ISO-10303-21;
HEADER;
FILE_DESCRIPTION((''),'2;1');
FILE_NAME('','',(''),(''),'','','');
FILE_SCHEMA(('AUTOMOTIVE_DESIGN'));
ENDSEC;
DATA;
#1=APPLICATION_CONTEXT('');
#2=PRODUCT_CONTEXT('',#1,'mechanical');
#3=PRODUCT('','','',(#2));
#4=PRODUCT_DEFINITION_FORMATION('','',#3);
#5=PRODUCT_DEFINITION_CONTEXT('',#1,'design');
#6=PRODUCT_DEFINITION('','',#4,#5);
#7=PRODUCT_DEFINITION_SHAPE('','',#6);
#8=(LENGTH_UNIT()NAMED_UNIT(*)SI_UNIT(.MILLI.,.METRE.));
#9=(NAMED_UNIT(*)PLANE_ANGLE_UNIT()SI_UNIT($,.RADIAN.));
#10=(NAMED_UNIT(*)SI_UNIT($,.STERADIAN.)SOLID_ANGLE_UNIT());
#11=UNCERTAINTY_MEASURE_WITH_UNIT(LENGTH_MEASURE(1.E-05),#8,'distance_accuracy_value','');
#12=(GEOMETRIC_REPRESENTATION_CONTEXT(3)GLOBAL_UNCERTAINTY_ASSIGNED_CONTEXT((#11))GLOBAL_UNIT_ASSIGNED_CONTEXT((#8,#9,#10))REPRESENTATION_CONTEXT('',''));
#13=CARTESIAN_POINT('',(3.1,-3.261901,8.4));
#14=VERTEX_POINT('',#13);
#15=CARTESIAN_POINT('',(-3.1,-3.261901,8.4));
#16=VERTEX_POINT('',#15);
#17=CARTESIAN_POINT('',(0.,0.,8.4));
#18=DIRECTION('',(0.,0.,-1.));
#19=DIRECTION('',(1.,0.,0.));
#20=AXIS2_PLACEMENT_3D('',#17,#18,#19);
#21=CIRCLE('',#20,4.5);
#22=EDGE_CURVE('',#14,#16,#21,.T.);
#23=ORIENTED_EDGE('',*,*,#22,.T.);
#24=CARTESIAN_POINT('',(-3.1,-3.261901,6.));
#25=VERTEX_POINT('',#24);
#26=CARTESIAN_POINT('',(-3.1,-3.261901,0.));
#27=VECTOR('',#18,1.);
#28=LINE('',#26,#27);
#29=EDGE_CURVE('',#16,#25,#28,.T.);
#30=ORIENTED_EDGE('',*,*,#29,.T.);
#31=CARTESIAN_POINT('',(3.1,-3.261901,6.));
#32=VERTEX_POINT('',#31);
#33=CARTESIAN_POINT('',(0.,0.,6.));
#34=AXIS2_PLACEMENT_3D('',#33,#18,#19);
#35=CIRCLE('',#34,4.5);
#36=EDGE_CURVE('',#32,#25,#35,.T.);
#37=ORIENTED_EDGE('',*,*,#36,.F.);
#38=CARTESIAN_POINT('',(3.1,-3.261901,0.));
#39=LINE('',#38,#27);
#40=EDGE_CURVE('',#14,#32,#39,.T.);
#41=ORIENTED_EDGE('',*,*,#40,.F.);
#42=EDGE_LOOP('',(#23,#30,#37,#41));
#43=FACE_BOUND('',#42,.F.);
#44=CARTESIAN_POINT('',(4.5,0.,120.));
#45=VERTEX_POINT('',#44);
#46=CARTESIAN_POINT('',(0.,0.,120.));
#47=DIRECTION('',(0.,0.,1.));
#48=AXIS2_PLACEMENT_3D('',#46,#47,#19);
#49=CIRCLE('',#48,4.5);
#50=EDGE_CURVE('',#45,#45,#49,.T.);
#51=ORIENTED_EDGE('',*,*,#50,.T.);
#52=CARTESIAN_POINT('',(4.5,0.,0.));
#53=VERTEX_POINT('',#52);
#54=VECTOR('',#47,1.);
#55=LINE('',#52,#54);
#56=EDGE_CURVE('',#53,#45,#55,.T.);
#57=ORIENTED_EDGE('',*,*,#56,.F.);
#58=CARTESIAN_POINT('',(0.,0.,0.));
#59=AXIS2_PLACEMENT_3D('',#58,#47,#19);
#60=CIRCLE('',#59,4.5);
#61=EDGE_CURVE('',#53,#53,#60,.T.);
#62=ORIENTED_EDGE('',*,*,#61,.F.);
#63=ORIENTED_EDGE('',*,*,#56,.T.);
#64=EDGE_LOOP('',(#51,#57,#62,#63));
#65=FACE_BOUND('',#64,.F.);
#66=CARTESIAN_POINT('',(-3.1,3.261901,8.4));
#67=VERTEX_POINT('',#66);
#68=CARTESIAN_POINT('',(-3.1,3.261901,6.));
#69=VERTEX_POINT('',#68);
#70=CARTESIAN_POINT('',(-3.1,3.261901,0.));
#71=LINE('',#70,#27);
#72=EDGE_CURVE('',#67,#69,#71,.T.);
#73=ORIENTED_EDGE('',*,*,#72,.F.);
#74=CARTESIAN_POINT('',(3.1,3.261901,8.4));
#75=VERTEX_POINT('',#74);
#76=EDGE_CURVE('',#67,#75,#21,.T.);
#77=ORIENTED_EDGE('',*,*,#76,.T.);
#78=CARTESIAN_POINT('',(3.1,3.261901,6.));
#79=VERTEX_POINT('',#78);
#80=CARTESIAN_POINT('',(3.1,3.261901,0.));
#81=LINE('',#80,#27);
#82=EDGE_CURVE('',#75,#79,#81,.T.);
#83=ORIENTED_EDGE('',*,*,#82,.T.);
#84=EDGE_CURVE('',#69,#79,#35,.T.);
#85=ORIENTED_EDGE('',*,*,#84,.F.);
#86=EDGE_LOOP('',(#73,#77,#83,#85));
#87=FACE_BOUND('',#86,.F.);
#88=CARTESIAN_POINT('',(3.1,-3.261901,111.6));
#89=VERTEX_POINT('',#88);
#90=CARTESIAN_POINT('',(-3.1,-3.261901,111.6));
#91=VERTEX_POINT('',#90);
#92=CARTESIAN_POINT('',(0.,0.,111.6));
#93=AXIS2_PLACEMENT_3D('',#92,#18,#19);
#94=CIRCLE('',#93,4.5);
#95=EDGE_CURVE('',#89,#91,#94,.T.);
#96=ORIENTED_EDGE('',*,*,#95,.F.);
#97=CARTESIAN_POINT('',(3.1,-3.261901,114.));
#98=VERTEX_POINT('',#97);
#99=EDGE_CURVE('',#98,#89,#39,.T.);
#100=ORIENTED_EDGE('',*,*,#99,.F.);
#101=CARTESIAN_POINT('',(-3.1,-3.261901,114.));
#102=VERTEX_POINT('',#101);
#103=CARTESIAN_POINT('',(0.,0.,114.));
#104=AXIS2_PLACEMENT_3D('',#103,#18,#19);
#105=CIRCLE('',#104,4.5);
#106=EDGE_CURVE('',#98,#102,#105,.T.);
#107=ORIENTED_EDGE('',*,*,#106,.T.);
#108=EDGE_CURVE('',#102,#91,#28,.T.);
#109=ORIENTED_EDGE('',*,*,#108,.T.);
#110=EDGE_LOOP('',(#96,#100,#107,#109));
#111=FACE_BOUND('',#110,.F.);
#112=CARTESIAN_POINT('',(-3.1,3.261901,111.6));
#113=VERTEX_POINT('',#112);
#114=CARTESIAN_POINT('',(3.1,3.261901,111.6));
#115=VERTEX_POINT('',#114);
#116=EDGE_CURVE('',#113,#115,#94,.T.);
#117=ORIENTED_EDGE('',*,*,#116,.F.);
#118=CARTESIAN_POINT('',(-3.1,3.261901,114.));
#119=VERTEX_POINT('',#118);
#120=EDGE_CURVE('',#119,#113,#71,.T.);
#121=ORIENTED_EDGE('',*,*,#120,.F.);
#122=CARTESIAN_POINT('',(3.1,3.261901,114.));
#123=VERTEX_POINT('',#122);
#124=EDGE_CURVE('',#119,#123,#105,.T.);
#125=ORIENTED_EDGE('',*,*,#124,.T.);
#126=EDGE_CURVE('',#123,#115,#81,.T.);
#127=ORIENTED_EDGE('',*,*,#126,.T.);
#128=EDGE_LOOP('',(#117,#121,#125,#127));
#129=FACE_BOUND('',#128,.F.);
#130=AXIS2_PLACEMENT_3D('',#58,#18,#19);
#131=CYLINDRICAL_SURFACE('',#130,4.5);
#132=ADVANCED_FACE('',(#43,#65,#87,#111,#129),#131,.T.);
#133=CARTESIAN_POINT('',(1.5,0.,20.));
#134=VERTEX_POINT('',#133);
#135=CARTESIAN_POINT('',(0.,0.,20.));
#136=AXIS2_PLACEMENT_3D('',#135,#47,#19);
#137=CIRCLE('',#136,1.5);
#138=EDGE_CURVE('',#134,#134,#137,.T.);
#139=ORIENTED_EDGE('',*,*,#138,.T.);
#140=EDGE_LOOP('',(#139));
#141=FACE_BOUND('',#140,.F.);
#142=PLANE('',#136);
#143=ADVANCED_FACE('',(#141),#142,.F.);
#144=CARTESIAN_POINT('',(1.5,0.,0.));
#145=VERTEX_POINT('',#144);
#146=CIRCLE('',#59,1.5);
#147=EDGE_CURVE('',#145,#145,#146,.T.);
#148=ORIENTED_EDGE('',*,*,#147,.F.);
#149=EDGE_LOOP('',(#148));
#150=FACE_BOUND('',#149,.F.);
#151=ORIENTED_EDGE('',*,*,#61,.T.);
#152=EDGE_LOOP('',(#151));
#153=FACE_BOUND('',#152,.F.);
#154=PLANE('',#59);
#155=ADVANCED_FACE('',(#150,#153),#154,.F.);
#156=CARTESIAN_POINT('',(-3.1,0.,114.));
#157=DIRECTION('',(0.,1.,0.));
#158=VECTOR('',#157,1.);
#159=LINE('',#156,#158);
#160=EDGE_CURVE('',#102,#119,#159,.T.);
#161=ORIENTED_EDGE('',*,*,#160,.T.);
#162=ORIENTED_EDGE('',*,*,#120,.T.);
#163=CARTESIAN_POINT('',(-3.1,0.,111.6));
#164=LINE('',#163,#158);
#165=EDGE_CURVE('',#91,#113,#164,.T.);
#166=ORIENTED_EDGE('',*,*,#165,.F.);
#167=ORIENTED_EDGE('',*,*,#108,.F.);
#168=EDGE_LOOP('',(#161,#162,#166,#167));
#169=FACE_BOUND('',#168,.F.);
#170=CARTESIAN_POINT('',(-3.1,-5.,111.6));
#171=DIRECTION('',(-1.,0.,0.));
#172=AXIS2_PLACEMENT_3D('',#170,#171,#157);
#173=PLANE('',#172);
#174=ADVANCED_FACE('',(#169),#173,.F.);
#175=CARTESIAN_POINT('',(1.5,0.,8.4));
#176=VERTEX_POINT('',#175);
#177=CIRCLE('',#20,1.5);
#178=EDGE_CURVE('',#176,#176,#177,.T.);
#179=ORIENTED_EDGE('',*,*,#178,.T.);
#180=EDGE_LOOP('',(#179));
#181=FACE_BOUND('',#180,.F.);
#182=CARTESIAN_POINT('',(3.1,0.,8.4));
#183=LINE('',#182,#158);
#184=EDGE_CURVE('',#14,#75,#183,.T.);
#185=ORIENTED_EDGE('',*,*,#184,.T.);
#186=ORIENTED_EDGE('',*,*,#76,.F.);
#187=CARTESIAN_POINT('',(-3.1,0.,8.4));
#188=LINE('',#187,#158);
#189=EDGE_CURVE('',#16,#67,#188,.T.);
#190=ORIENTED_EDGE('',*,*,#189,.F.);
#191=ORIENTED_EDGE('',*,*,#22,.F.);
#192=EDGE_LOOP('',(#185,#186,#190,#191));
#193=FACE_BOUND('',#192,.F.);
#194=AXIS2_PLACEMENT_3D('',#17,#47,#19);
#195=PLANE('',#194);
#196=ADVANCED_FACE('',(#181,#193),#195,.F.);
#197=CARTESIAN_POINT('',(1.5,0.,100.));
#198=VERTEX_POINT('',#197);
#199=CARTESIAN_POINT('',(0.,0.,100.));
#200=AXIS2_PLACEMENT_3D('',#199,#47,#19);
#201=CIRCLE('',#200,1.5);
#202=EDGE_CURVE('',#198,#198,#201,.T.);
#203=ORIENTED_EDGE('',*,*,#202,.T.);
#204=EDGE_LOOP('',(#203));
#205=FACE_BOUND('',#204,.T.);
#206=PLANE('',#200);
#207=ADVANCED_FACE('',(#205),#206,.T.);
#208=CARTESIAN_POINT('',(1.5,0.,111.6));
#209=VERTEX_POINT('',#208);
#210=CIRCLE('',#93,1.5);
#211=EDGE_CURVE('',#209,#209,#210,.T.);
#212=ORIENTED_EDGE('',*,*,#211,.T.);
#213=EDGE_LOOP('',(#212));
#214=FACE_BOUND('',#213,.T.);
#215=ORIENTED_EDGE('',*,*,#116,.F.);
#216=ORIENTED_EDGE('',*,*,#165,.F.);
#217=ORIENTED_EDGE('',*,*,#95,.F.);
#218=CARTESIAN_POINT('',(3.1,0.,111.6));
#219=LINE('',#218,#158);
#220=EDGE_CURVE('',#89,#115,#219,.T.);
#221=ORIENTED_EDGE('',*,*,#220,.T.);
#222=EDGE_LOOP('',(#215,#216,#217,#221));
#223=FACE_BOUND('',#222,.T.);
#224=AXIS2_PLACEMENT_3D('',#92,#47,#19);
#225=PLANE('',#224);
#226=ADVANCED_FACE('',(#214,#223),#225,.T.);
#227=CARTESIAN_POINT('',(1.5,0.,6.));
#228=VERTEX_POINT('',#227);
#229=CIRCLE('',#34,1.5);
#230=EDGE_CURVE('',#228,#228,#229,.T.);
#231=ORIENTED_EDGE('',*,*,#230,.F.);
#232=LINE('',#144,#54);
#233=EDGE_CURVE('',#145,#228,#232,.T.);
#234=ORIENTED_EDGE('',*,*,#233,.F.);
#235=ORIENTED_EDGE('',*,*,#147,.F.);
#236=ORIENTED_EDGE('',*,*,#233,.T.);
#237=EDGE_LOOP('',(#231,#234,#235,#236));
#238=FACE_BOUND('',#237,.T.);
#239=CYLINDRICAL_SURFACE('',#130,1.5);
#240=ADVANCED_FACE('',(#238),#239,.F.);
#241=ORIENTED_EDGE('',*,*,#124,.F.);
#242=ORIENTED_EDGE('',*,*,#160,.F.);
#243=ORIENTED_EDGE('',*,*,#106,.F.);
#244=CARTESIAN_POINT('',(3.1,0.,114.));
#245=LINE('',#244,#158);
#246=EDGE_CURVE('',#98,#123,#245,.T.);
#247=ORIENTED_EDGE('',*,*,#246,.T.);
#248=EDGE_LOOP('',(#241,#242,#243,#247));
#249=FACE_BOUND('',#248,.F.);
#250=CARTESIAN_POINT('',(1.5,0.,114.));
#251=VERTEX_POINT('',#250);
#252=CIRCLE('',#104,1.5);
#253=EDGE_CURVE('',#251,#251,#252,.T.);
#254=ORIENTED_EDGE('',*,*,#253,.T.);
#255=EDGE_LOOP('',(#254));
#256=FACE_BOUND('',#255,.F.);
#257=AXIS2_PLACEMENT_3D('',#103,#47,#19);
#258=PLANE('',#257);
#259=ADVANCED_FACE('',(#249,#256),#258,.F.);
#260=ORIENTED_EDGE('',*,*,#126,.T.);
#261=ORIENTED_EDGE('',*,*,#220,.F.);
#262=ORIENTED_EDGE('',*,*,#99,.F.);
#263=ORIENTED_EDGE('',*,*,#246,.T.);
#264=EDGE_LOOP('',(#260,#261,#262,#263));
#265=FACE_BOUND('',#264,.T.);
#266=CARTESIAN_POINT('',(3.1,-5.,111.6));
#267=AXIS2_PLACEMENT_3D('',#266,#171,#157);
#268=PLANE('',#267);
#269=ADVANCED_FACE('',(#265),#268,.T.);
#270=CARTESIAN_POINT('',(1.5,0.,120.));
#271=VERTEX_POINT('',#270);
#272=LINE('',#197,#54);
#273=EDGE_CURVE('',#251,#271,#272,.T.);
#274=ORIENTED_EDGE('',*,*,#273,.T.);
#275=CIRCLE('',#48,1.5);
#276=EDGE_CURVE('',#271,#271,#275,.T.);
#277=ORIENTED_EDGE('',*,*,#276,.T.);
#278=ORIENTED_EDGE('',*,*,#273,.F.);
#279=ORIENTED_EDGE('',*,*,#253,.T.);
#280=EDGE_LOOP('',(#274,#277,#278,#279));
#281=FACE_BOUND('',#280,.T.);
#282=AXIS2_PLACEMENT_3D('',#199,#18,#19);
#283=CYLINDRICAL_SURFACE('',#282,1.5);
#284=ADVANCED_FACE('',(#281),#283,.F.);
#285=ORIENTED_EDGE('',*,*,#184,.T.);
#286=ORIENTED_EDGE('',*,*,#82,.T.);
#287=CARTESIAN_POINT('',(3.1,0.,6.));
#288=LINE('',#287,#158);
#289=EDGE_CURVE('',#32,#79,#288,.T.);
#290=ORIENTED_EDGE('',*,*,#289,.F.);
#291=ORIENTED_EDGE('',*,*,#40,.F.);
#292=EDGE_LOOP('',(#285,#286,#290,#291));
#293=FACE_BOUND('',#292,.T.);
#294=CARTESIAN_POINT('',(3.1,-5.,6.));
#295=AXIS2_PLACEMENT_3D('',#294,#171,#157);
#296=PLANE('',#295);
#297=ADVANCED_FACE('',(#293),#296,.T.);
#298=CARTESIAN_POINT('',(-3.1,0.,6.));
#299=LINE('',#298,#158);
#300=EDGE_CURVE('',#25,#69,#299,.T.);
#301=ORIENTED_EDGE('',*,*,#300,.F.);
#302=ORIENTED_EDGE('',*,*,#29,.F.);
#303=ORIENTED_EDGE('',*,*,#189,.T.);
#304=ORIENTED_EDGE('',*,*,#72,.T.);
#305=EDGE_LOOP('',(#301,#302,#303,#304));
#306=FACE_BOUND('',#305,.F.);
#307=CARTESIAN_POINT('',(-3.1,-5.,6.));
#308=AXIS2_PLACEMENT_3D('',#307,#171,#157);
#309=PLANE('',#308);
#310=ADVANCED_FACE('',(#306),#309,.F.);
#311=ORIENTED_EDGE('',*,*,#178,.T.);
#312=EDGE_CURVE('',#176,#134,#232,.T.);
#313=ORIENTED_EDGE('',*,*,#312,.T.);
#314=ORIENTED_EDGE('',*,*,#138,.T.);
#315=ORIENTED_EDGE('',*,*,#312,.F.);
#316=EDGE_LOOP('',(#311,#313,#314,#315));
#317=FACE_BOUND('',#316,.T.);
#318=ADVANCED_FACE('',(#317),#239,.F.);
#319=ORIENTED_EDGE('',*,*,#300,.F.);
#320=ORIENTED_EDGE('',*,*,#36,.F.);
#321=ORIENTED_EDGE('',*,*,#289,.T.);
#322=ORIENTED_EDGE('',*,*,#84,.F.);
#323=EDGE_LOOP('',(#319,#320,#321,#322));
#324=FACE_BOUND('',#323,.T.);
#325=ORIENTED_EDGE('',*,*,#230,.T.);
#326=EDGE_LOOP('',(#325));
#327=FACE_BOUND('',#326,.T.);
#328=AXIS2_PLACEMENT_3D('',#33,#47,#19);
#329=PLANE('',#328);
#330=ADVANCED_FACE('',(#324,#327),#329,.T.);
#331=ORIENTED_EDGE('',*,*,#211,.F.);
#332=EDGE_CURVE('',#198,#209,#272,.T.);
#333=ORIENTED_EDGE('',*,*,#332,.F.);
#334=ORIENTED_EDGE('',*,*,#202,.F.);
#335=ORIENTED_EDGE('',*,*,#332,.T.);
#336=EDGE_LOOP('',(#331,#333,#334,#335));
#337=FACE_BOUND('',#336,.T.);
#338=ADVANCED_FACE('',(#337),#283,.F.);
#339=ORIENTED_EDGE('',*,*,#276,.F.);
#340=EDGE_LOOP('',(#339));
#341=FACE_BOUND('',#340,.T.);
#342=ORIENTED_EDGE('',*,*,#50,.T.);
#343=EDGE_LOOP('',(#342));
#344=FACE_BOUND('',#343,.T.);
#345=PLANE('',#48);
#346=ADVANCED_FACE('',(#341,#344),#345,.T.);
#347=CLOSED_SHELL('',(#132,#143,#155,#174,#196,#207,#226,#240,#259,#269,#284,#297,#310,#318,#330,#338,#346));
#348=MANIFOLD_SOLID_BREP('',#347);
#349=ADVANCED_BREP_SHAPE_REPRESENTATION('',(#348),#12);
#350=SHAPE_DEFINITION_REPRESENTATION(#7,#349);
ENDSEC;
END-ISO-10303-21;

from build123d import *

# Parameters (mm, degrees)
BOX010_W          = 6.2
BOX010_H          = 10
BOX010_DEPTH      = 2.4
BOX011_W          = 6.2
BOX011_H          = 10
BOX011_DEPTH      = 2.4
CYLINDER008_R     = 1.5
CYLINDER008_DEPTH = 20
CYLINDER007_R     = 1.5
CYLINDER007_DEPTH = 20
CYLINDER006_R     = 4.5
CYLINDER006_DEPTH = 120


with BuildPart() as nut1:
    # Box010 → Box010 (new body)
    with BuildSketch(Plane(origin=(-3.1, -5, 6), x_dir=(1, 0, 0), z_dir=(0, 0, 1))):
        with Locations((3.1, 5)):
            Rectangle(BOX010_W, BOX010_H)
    extrude(amount=BOX010_DEPTH)


with BuildPart() as nut2:
    # Box011 → Box011 (new body)
    with BuildSketch(Plane(origin=(-3.1, -5, 111.6), x_dir=(1, 0, 0), z_dir=(0, 0, 1))):
        with Locations((3.1, 5)):
            Rectangle(BOX011_W, BOX011_H)
    extrude(amount=BOX011_DEPTH)


with BuildPart() as columnhole2:
    # Cylinder008 → Cylinder008 (new body)
    with BuildSketch(Plane.XY.offset(100)):
        Circle(CYLINDER008_R)
    extrude(amount=CYLINDER008_DEPTH)


with BuildPart() as columnhole1:
    # Cylinder007 → Cylinder007 (new body)
    with BuildSketch(Plane.XY):
        Circle(CYLINDER007_R)
    extrude(amount=CYLINDER007_DEPTH)


with BuildPart() as column:
    # Cylinder006 → Cylinder006 (new body)
    with BuildSketch(Plane.XY):
        Circle(CYLINDER006_R)
    extrude(amount=CYLINDER006_DEPTH)

    # Cut010: cut ColumnHole1
    add(columnhole1.part, mode=Mode.SUBTRACT)

    # Cut011: cut ColumnHole2
    add(columnhole2.part, mode=Mode.SUBTRACT)

    # Cut012: cut Nut2
    add(nut2.part, mode=Mode.SUBTRACT)

    # Cut013: cut Nut1
    add(nut1.part, mode=Mode.SUBTRACT)


solid = column.part
